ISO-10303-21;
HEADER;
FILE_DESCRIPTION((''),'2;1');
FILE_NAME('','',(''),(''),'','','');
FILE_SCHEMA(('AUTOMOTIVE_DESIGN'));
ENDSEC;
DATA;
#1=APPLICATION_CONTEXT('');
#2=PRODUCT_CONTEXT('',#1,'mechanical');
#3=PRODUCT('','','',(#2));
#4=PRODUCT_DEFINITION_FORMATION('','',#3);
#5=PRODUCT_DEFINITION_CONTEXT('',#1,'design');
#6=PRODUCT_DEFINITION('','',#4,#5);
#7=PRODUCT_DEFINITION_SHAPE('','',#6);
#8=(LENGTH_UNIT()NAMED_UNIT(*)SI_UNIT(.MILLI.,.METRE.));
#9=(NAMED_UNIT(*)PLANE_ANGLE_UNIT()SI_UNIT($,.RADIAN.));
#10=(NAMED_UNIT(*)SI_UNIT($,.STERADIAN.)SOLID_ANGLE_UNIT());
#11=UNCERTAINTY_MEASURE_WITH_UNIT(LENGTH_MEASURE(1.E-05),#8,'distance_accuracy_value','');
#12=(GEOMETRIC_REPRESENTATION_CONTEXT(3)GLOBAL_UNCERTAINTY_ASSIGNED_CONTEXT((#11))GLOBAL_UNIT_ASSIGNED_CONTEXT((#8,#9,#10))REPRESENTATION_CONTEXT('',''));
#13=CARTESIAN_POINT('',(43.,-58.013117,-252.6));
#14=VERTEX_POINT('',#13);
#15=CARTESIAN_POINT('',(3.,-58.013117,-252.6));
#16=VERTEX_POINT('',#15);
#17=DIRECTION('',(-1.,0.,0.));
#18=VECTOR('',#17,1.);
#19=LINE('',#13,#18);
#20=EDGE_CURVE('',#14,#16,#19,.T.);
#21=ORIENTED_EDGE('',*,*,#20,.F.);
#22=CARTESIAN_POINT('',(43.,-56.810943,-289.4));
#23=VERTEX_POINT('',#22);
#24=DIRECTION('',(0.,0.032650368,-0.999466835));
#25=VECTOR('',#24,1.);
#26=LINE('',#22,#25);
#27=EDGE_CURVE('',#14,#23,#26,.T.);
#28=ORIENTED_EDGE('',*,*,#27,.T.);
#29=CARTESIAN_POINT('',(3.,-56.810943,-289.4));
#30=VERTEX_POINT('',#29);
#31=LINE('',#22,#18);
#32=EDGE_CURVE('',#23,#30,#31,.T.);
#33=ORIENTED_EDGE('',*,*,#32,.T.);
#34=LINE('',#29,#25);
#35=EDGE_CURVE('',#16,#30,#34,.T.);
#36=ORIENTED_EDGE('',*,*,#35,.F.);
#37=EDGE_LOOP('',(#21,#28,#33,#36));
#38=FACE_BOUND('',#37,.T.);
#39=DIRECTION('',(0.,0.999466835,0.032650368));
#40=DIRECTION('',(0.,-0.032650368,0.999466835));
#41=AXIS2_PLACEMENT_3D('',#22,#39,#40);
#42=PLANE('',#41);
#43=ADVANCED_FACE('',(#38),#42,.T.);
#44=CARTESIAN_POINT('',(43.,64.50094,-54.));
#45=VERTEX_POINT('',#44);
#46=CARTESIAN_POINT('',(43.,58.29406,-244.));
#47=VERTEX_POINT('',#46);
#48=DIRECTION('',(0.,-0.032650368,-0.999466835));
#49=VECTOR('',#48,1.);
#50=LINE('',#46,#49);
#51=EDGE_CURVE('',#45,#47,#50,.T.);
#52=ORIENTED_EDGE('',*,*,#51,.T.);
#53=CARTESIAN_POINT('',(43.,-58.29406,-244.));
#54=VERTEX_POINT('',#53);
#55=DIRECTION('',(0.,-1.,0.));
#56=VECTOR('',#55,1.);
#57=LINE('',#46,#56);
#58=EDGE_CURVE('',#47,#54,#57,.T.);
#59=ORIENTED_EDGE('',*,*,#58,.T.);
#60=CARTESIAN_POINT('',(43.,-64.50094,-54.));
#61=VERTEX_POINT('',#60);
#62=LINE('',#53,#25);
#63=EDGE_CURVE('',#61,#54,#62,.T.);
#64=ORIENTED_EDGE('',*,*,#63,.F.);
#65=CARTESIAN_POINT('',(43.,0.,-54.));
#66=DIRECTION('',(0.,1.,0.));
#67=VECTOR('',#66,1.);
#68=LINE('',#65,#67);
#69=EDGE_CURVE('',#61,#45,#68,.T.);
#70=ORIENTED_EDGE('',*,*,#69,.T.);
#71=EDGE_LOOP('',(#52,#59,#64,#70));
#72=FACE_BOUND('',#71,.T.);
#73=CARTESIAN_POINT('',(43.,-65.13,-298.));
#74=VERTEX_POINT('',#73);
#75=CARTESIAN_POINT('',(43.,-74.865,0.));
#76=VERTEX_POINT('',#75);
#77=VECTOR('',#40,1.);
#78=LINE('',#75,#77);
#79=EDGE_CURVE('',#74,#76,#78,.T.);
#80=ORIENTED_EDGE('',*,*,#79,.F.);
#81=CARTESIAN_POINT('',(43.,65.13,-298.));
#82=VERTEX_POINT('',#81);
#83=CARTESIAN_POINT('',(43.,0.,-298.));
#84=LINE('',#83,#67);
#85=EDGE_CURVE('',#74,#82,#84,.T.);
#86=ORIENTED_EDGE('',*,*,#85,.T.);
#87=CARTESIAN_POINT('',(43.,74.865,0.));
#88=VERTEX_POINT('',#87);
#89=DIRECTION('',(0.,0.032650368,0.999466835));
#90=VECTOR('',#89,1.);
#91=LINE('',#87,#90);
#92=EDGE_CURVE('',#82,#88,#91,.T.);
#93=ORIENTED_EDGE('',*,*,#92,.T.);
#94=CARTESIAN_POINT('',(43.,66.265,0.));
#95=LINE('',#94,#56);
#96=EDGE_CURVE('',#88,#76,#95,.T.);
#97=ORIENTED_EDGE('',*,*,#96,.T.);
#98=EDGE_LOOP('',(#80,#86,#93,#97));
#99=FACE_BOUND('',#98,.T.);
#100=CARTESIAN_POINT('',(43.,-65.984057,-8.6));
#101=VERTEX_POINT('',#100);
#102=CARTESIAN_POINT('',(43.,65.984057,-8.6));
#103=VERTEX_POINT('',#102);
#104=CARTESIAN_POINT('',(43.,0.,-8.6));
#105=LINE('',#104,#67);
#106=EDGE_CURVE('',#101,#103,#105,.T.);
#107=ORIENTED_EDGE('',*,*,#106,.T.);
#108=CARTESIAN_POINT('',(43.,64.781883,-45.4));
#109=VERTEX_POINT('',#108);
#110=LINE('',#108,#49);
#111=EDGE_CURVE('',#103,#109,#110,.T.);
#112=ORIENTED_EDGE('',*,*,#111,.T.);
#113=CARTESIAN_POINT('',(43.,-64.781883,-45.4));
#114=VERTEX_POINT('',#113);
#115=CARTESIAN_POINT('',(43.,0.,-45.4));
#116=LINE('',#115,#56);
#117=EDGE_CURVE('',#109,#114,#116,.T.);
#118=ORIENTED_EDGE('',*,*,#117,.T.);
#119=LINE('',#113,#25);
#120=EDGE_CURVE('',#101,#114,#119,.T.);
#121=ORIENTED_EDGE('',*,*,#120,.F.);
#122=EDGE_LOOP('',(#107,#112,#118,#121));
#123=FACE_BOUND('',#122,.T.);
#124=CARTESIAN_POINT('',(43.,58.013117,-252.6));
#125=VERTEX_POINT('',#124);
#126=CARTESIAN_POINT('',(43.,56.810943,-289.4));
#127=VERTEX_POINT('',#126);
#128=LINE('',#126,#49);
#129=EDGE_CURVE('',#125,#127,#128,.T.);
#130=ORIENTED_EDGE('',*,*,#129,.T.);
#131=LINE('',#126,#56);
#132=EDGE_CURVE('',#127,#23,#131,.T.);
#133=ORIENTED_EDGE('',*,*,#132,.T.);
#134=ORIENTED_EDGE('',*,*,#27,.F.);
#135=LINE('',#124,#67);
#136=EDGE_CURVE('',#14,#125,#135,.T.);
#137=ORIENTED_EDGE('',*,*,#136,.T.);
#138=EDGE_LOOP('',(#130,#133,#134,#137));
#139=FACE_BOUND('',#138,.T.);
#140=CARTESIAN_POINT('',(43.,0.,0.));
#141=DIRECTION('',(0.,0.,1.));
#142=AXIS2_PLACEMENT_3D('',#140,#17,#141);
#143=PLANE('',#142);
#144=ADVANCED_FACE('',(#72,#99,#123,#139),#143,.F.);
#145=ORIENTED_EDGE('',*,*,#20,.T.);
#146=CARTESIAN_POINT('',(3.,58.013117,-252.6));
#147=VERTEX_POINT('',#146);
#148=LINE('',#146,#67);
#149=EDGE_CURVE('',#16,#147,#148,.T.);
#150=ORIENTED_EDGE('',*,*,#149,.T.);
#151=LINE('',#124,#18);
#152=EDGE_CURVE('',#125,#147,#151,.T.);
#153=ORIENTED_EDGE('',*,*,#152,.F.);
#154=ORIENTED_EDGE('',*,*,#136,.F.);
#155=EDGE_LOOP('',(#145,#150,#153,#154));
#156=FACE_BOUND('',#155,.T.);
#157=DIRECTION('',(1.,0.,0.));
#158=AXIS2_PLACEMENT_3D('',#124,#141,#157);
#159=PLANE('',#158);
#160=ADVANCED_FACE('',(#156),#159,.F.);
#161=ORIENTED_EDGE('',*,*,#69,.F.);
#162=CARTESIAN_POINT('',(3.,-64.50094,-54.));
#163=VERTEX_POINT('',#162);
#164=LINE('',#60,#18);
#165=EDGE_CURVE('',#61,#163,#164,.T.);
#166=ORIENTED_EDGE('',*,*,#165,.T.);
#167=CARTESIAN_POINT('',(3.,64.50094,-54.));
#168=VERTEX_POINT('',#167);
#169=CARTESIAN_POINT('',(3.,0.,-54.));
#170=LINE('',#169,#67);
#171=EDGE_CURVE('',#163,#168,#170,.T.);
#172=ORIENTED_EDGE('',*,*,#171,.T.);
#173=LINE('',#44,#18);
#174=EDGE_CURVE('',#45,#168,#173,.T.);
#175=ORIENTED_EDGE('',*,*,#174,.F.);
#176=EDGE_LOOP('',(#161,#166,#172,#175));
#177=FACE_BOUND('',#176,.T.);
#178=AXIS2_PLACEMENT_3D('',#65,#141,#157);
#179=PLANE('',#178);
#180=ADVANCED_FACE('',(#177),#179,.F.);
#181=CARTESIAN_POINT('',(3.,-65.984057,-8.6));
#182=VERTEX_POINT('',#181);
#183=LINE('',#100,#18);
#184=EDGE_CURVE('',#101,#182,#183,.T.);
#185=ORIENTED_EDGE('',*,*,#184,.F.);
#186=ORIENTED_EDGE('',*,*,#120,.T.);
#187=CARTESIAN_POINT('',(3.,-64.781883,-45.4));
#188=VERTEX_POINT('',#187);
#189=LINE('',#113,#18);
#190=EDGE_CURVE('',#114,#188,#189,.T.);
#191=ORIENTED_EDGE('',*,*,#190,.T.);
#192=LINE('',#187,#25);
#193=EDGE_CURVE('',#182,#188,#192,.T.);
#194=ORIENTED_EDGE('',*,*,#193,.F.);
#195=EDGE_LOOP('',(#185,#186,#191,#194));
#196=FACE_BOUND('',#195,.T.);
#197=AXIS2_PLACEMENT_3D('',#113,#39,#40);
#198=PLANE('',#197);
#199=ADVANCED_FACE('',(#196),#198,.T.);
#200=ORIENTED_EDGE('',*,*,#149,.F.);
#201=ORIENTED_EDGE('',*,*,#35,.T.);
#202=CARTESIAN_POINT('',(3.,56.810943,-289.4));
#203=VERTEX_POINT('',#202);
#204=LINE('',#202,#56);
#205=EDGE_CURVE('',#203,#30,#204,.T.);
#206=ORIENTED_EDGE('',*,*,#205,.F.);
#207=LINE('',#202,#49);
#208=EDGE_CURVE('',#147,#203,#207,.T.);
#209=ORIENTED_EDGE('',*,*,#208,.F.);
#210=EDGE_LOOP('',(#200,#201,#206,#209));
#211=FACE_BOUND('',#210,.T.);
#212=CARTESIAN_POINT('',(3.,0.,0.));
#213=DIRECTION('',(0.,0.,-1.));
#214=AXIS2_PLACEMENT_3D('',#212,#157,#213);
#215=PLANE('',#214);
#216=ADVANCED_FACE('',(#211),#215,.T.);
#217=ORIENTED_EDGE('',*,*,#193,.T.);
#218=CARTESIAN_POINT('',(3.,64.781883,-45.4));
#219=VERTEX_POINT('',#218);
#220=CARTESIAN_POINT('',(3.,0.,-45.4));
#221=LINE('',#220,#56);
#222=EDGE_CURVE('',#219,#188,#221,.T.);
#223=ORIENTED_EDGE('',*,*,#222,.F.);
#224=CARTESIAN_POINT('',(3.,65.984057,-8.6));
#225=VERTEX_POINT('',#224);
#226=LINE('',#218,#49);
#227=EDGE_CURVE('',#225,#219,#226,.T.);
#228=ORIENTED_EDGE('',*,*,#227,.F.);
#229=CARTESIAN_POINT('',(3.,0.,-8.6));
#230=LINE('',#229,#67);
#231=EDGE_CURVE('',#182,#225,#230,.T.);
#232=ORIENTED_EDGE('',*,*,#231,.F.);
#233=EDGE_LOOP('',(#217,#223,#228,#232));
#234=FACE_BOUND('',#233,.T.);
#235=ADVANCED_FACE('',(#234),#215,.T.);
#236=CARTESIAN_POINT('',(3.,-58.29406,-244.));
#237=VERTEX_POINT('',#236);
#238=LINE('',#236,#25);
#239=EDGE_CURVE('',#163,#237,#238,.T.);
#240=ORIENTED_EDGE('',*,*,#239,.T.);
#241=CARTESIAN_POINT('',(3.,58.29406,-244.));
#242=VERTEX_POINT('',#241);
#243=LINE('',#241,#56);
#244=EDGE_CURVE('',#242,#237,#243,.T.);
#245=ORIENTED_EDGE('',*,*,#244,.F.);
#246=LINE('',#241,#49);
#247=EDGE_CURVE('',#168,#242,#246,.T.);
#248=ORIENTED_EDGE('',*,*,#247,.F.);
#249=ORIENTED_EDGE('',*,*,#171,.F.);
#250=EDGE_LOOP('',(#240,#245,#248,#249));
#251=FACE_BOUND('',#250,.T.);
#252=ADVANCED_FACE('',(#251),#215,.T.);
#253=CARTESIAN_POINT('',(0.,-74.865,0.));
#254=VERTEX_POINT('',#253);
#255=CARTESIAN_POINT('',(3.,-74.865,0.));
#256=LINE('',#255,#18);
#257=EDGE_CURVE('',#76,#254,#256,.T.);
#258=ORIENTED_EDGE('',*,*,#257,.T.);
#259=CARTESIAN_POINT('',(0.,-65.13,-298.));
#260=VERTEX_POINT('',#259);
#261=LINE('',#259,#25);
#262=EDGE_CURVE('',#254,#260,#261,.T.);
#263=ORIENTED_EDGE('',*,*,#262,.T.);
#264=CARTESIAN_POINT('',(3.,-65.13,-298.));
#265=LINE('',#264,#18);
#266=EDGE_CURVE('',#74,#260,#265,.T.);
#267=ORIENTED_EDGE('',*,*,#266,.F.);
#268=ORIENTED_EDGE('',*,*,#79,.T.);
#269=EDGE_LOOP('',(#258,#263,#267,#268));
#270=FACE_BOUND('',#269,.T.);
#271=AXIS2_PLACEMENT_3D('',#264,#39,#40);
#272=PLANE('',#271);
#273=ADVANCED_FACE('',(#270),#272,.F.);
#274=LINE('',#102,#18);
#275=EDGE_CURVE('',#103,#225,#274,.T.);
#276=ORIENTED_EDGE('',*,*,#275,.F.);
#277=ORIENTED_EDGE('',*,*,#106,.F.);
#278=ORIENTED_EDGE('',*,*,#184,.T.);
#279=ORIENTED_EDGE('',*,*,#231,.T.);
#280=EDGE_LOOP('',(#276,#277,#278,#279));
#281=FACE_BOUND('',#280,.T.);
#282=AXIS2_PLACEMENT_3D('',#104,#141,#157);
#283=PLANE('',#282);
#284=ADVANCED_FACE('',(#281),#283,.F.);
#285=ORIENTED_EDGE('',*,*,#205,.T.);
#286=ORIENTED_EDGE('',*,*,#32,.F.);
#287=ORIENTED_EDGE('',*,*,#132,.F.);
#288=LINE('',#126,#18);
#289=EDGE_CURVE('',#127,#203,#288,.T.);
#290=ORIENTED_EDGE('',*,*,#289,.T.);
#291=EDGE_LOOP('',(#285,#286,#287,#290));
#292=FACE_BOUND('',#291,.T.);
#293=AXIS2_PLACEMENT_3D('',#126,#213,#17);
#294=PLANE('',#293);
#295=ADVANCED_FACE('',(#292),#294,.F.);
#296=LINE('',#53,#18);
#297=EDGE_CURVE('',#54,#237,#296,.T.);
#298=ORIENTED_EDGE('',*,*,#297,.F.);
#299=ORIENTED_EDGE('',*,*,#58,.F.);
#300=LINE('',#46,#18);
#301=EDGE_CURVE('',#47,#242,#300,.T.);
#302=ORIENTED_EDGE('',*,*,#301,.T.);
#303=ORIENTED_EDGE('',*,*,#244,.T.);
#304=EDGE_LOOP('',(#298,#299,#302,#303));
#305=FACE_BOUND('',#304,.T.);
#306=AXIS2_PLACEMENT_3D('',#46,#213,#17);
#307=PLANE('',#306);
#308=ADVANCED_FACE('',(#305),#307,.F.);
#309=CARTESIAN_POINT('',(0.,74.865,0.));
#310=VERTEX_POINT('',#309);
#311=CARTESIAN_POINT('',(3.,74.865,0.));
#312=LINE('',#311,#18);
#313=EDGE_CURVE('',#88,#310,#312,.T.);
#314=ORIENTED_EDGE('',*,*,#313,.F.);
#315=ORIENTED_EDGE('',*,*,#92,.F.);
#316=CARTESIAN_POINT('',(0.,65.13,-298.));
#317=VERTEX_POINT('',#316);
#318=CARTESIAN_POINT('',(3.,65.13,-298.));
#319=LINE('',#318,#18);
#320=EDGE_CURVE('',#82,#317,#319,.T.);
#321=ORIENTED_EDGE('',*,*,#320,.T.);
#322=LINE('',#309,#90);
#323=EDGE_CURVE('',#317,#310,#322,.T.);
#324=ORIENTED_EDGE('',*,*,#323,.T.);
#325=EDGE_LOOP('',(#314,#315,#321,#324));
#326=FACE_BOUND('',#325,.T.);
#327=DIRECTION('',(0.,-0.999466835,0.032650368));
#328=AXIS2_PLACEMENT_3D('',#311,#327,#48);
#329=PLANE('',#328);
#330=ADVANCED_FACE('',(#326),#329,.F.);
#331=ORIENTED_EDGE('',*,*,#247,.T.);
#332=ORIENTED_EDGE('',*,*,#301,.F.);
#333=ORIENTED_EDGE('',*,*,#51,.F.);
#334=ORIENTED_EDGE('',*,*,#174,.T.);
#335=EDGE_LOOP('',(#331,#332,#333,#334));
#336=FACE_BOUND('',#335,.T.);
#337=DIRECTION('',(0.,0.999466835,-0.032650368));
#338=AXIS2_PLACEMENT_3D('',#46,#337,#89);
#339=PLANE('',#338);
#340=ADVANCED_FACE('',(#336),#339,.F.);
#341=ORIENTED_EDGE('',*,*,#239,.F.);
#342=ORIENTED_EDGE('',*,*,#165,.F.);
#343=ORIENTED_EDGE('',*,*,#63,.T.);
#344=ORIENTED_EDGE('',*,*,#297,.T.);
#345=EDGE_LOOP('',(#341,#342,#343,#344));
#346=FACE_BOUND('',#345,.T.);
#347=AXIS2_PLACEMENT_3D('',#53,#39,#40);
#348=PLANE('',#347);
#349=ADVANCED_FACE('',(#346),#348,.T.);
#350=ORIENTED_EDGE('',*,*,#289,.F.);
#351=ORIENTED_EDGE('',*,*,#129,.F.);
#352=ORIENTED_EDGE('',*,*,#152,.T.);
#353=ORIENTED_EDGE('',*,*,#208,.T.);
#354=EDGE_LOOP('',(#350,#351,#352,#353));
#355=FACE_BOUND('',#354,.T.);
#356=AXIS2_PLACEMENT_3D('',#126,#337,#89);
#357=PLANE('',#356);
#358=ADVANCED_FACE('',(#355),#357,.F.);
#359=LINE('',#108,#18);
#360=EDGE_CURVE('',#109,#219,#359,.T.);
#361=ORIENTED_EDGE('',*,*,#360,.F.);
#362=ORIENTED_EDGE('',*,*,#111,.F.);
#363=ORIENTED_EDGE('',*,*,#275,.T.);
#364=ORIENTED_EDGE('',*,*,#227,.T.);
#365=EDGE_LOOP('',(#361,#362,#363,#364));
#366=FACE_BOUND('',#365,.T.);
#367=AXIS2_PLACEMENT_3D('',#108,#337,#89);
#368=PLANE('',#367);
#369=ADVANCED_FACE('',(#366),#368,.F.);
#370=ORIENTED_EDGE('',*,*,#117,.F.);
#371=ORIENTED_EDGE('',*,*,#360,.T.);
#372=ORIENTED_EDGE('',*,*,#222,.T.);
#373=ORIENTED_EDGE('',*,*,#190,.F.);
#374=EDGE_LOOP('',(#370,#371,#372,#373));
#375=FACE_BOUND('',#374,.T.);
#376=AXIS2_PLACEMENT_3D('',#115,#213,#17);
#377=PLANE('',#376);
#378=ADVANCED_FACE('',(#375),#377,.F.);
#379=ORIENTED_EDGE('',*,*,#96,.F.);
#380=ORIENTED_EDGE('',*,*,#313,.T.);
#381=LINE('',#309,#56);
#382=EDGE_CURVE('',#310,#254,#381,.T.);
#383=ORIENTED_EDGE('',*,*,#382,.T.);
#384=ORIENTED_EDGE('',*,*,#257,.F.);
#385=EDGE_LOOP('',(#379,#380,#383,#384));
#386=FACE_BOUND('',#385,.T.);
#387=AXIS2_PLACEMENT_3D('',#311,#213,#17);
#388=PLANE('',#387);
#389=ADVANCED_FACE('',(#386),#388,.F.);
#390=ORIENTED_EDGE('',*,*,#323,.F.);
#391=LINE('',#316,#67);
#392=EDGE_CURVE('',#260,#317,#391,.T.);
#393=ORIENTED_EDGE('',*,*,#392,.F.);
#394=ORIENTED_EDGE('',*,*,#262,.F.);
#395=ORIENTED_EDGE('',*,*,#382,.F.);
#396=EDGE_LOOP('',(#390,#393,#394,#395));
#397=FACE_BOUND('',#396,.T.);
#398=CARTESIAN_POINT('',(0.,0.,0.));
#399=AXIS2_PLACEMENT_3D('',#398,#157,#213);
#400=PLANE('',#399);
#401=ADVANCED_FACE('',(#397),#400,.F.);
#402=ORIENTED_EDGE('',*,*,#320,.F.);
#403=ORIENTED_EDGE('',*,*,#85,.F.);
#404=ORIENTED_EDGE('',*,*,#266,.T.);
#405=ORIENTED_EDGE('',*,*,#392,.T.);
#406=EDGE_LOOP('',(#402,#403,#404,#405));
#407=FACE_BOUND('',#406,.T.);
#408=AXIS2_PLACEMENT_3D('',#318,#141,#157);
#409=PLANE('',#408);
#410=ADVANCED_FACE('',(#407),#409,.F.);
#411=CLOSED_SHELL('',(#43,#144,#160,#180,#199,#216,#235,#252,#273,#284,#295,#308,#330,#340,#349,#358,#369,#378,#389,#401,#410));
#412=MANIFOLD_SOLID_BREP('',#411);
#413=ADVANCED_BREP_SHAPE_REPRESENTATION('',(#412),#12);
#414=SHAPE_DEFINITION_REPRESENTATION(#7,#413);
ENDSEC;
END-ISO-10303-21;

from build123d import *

# Parameters (mm, degrees)
BOSS_EXTRUDE1_DEPTH = 3
BOSS_EXTRUDE2_DEPTH = 40


with BuildPart() as part:
    # Sketch1 → Boss-Extrude1 (new body)
    with BuildSketch(Plane(origin=(0, 0, 0), x_dir=(0, 0, -1), z_dir=(1, 0, 0))):
        Polygon((0, 74.865), (0, -74.865), (298, -65.13), (298, 65.13), align=None)
    extrude(amount=BOSS_EXTRUDE1_DEPTH)

    # Sketch2 → Boss-Extrude2 (add)
    with BuildSketch(Plane(origin=(3, 0, 0), x_dir=(0, 0, -1), z_dir=(1, 0, 0))):
        Polygon((0, 74.865), (298, 65.13), (298, 56.53), (298, 0), (289.4, 0), (289.4, 56.810942953), (252.6, 58.01311745), (252.6, 0), (244, 0), (244, 58.294060403), (54, 64.500939597), (54, 0), (45.4, 0), (45.4, 64.78188255), (8.6, 65.984057047), (8.6, 0), (0, 0), (0, 66.265), align=None)
    boss_extrude2 = extrude(amount=BOSS_EXTRUDE2_DEPTH)

    # Mirror1: Boss-Extrude2 across plane
    add(boss_extrude2.mirror(Plane(origin=(43, 0, -45.4), x_dir=(0, 0, 1), z_dir=(0, 1, 0))))


solid = part.part
